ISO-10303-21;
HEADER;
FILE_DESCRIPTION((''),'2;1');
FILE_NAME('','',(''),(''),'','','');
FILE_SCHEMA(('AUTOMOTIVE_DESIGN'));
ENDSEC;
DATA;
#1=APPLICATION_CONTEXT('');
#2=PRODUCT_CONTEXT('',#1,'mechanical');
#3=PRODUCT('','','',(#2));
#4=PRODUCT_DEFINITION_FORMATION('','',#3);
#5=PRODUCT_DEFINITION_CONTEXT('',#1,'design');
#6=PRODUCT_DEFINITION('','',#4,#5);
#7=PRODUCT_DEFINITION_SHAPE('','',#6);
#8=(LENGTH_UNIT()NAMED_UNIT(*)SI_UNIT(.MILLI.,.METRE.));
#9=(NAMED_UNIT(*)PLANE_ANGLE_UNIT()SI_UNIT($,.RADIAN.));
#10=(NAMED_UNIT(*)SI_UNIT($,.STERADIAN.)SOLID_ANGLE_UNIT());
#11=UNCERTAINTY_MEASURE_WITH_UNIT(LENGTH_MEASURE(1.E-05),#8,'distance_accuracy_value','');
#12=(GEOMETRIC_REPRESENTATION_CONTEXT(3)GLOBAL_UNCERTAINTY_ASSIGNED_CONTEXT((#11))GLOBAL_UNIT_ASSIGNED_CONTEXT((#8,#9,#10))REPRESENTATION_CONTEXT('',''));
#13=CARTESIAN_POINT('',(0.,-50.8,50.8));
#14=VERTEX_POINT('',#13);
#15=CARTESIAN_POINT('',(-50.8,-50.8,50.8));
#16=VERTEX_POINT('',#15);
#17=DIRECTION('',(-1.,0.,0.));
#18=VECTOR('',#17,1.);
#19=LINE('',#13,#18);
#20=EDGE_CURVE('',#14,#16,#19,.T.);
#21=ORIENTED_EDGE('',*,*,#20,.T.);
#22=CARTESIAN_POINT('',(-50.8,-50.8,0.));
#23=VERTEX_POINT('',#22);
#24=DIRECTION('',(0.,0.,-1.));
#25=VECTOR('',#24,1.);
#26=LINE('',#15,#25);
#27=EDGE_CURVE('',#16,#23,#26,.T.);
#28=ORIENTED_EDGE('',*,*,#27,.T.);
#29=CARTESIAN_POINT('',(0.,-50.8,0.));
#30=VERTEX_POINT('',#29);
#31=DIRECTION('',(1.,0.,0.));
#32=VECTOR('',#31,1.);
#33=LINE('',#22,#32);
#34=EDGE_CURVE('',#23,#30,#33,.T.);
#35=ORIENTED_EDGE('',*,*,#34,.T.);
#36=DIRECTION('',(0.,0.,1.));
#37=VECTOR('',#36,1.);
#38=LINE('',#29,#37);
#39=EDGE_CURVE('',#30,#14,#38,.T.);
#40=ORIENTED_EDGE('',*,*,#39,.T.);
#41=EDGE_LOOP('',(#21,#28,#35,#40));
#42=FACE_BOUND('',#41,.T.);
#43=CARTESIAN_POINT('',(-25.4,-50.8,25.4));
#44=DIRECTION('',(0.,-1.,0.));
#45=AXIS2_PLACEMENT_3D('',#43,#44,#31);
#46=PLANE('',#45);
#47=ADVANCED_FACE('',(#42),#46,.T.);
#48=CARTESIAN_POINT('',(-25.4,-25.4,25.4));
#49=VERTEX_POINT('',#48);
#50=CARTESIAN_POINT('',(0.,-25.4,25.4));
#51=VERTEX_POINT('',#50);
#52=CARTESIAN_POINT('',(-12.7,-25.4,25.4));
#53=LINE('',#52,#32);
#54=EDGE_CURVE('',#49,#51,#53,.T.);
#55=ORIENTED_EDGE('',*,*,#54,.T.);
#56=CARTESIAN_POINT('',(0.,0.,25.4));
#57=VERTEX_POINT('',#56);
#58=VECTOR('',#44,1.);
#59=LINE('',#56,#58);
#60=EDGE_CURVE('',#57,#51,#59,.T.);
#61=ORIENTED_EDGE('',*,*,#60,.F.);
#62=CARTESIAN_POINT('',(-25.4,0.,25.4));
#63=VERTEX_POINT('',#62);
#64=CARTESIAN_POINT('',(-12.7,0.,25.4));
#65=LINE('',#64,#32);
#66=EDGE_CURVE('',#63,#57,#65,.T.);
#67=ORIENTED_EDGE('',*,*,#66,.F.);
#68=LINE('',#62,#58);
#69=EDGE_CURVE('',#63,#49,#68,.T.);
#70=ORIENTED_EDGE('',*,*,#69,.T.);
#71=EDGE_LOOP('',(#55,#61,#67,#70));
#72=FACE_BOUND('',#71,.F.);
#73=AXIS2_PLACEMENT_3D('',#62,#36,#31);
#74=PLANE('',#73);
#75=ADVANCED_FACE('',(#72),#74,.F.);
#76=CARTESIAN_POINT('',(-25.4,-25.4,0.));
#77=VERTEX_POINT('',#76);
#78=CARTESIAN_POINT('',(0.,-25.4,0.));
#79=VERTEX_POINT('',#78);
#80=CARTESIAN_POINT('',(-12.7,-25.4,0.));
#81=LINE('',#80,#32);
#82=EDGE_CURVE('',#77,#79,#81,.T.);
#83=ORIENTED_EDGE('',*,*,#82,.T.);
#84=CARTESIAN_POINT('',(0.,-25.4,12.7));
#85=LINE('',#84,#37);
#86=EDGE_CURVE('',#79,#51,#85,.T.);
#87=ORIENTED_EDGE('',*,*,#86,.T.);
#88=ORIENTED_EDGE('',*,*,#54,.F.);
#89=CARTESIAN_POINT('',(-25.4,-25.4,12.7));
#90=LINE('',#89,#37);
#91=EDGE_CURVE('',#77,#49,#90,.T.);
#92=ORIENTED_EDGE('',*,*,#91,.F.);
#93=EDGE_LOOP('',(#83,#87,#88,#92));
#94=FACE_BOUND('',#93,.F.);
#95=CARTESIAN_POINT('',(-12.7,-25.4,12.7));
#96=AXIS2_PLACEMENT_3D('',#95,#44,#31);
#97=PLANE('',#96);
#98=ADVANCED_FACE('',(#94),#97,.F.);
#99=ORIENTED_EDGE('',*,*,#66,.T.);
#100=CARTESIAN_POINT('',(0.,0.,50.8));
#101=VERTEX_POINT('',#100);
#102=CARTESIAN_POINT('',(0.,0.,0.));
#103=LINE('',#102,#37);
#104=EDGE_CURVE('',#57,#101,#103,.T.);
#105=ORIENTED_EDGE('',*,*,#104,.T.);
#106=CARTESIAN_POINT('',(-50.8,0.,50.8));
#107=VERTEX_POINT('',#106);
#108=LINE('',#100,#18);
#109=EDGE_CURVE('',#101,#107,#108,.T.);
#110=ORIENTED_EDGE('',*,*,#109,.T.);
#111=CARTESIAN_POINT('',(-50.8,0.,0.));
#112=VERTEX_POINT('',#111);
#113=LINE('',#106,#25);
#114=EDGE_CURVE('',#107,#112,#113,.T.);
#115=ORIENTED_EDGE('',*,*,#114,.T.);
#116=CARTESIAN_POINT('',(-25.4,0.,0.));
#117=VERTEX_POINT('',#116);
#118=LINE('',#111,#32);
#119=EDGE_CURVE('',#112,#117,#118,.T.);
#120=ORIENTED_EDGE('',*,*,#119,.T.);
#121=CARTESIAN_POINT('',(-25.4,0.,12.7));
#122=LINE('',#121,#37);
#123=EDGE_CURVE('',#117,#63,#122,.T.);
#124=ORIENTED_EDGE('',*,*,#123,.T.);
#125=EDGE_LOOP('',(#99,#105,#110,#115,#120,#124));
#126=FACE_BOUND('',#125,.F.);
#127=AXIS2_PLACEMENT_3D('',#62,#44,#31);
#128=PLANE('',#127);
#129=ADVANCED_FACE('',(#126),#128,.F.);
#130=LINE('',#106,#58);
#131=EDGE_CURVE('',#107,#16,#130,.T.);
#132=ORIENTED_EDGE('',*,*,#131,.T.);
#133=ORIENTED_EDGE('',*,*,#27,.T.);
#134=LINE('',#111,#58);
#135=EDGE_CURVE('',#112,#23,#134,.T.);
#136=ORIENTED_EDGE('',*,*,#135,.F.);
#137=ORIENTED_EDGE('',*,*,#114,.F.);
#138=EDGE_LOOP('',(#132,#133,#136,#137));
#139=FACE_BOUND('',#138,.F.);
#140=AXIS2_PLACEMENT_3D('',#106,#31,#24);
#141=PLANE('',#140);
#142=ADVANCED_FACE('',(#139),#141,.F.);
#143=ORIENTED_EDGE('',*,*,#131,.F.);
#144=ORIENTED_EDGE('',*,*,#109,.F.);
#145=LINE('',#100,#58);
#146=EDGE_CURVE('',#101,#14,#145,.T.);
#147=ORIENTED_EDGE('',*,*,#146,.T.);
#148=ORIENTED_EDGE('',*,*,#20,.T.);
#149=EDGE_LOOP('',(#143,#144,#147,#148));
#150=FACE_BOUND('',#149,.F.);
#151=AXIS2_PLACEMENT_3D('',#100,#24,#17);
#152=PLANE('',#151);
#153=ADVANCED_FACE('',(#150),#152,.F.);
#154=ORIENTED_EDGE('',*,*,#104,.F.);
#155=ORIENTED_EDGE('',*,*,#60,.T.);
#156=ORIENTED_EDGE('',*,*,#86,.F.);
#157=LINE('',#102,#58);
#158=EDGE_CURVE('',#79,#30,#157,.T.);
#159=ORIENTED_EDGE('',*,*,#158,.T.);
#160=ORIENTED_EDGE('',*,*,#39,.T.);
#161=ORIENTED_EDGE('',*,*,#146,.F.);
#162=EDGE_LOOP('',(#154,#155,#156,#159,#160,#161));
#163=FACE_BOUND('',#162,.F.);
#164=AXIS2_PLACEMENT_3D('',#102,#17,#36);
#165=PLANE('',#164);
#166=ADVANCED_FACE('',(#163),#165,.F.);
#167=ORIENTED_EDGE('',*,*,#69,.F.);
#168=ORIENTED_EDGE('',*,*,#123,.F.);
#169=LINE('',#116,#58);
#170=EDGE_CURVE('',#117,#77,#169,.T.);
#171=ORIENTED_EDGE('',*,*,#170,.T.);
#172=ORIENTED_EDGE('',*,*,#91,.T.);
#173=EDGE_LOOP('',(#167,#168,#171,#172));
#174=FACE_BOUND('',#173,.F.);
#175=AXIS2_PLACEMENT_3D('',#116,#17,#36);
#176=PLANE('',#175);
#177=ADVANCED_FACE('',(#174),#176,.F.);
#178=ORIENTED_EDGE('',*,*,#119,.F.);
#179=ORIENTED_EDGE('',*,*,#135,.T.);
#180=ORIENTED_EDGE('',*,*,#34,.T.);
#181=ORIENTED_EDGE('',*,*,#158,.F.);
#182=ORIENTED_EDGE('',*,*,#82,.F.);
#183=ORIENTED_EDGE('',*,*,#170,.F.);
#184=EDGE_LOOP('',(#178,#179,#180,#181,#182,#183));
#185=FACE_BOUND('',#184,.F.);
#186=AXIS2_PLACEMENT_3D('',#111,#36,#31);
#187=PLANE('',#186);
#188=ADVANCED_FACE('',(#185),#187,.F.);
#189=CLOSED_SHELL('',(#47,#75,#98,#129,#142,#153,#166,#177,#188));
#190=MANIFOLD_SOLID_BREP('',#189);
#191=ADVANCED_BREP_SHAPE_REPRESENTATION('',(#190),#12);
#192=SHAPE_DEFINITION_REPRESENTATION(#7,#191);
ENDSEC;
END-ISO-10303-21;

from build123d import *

# Parameters (mm, degrees)
F2_DEPTH = 50.8
F1_W     = 25.4
F1_H     = 25.4
F3_DEPTH = 25.4


with BuildPart() as f2:
    # F0 (on Front) → F2 (new body)
    with BuildSketch(Plane.XZ):
        Polygon((-25.4, 0), (0, 0), (0, 25.4), (0, 50.8), (-50.8, 50.8), (-50.8, 0), align=None)
    extrude(amount=F2_DEPTH)

    # F1 (on face) → F3 (cut)
    with BuildSketch(Plane.XZ):
        with Locations((-12.7, 12.7)):
            Rectangle(F1_W, F1_H)
    extrude(amount=F3_DEPTH, mode=Mode.SUBTRACT)


solid = f2.part
